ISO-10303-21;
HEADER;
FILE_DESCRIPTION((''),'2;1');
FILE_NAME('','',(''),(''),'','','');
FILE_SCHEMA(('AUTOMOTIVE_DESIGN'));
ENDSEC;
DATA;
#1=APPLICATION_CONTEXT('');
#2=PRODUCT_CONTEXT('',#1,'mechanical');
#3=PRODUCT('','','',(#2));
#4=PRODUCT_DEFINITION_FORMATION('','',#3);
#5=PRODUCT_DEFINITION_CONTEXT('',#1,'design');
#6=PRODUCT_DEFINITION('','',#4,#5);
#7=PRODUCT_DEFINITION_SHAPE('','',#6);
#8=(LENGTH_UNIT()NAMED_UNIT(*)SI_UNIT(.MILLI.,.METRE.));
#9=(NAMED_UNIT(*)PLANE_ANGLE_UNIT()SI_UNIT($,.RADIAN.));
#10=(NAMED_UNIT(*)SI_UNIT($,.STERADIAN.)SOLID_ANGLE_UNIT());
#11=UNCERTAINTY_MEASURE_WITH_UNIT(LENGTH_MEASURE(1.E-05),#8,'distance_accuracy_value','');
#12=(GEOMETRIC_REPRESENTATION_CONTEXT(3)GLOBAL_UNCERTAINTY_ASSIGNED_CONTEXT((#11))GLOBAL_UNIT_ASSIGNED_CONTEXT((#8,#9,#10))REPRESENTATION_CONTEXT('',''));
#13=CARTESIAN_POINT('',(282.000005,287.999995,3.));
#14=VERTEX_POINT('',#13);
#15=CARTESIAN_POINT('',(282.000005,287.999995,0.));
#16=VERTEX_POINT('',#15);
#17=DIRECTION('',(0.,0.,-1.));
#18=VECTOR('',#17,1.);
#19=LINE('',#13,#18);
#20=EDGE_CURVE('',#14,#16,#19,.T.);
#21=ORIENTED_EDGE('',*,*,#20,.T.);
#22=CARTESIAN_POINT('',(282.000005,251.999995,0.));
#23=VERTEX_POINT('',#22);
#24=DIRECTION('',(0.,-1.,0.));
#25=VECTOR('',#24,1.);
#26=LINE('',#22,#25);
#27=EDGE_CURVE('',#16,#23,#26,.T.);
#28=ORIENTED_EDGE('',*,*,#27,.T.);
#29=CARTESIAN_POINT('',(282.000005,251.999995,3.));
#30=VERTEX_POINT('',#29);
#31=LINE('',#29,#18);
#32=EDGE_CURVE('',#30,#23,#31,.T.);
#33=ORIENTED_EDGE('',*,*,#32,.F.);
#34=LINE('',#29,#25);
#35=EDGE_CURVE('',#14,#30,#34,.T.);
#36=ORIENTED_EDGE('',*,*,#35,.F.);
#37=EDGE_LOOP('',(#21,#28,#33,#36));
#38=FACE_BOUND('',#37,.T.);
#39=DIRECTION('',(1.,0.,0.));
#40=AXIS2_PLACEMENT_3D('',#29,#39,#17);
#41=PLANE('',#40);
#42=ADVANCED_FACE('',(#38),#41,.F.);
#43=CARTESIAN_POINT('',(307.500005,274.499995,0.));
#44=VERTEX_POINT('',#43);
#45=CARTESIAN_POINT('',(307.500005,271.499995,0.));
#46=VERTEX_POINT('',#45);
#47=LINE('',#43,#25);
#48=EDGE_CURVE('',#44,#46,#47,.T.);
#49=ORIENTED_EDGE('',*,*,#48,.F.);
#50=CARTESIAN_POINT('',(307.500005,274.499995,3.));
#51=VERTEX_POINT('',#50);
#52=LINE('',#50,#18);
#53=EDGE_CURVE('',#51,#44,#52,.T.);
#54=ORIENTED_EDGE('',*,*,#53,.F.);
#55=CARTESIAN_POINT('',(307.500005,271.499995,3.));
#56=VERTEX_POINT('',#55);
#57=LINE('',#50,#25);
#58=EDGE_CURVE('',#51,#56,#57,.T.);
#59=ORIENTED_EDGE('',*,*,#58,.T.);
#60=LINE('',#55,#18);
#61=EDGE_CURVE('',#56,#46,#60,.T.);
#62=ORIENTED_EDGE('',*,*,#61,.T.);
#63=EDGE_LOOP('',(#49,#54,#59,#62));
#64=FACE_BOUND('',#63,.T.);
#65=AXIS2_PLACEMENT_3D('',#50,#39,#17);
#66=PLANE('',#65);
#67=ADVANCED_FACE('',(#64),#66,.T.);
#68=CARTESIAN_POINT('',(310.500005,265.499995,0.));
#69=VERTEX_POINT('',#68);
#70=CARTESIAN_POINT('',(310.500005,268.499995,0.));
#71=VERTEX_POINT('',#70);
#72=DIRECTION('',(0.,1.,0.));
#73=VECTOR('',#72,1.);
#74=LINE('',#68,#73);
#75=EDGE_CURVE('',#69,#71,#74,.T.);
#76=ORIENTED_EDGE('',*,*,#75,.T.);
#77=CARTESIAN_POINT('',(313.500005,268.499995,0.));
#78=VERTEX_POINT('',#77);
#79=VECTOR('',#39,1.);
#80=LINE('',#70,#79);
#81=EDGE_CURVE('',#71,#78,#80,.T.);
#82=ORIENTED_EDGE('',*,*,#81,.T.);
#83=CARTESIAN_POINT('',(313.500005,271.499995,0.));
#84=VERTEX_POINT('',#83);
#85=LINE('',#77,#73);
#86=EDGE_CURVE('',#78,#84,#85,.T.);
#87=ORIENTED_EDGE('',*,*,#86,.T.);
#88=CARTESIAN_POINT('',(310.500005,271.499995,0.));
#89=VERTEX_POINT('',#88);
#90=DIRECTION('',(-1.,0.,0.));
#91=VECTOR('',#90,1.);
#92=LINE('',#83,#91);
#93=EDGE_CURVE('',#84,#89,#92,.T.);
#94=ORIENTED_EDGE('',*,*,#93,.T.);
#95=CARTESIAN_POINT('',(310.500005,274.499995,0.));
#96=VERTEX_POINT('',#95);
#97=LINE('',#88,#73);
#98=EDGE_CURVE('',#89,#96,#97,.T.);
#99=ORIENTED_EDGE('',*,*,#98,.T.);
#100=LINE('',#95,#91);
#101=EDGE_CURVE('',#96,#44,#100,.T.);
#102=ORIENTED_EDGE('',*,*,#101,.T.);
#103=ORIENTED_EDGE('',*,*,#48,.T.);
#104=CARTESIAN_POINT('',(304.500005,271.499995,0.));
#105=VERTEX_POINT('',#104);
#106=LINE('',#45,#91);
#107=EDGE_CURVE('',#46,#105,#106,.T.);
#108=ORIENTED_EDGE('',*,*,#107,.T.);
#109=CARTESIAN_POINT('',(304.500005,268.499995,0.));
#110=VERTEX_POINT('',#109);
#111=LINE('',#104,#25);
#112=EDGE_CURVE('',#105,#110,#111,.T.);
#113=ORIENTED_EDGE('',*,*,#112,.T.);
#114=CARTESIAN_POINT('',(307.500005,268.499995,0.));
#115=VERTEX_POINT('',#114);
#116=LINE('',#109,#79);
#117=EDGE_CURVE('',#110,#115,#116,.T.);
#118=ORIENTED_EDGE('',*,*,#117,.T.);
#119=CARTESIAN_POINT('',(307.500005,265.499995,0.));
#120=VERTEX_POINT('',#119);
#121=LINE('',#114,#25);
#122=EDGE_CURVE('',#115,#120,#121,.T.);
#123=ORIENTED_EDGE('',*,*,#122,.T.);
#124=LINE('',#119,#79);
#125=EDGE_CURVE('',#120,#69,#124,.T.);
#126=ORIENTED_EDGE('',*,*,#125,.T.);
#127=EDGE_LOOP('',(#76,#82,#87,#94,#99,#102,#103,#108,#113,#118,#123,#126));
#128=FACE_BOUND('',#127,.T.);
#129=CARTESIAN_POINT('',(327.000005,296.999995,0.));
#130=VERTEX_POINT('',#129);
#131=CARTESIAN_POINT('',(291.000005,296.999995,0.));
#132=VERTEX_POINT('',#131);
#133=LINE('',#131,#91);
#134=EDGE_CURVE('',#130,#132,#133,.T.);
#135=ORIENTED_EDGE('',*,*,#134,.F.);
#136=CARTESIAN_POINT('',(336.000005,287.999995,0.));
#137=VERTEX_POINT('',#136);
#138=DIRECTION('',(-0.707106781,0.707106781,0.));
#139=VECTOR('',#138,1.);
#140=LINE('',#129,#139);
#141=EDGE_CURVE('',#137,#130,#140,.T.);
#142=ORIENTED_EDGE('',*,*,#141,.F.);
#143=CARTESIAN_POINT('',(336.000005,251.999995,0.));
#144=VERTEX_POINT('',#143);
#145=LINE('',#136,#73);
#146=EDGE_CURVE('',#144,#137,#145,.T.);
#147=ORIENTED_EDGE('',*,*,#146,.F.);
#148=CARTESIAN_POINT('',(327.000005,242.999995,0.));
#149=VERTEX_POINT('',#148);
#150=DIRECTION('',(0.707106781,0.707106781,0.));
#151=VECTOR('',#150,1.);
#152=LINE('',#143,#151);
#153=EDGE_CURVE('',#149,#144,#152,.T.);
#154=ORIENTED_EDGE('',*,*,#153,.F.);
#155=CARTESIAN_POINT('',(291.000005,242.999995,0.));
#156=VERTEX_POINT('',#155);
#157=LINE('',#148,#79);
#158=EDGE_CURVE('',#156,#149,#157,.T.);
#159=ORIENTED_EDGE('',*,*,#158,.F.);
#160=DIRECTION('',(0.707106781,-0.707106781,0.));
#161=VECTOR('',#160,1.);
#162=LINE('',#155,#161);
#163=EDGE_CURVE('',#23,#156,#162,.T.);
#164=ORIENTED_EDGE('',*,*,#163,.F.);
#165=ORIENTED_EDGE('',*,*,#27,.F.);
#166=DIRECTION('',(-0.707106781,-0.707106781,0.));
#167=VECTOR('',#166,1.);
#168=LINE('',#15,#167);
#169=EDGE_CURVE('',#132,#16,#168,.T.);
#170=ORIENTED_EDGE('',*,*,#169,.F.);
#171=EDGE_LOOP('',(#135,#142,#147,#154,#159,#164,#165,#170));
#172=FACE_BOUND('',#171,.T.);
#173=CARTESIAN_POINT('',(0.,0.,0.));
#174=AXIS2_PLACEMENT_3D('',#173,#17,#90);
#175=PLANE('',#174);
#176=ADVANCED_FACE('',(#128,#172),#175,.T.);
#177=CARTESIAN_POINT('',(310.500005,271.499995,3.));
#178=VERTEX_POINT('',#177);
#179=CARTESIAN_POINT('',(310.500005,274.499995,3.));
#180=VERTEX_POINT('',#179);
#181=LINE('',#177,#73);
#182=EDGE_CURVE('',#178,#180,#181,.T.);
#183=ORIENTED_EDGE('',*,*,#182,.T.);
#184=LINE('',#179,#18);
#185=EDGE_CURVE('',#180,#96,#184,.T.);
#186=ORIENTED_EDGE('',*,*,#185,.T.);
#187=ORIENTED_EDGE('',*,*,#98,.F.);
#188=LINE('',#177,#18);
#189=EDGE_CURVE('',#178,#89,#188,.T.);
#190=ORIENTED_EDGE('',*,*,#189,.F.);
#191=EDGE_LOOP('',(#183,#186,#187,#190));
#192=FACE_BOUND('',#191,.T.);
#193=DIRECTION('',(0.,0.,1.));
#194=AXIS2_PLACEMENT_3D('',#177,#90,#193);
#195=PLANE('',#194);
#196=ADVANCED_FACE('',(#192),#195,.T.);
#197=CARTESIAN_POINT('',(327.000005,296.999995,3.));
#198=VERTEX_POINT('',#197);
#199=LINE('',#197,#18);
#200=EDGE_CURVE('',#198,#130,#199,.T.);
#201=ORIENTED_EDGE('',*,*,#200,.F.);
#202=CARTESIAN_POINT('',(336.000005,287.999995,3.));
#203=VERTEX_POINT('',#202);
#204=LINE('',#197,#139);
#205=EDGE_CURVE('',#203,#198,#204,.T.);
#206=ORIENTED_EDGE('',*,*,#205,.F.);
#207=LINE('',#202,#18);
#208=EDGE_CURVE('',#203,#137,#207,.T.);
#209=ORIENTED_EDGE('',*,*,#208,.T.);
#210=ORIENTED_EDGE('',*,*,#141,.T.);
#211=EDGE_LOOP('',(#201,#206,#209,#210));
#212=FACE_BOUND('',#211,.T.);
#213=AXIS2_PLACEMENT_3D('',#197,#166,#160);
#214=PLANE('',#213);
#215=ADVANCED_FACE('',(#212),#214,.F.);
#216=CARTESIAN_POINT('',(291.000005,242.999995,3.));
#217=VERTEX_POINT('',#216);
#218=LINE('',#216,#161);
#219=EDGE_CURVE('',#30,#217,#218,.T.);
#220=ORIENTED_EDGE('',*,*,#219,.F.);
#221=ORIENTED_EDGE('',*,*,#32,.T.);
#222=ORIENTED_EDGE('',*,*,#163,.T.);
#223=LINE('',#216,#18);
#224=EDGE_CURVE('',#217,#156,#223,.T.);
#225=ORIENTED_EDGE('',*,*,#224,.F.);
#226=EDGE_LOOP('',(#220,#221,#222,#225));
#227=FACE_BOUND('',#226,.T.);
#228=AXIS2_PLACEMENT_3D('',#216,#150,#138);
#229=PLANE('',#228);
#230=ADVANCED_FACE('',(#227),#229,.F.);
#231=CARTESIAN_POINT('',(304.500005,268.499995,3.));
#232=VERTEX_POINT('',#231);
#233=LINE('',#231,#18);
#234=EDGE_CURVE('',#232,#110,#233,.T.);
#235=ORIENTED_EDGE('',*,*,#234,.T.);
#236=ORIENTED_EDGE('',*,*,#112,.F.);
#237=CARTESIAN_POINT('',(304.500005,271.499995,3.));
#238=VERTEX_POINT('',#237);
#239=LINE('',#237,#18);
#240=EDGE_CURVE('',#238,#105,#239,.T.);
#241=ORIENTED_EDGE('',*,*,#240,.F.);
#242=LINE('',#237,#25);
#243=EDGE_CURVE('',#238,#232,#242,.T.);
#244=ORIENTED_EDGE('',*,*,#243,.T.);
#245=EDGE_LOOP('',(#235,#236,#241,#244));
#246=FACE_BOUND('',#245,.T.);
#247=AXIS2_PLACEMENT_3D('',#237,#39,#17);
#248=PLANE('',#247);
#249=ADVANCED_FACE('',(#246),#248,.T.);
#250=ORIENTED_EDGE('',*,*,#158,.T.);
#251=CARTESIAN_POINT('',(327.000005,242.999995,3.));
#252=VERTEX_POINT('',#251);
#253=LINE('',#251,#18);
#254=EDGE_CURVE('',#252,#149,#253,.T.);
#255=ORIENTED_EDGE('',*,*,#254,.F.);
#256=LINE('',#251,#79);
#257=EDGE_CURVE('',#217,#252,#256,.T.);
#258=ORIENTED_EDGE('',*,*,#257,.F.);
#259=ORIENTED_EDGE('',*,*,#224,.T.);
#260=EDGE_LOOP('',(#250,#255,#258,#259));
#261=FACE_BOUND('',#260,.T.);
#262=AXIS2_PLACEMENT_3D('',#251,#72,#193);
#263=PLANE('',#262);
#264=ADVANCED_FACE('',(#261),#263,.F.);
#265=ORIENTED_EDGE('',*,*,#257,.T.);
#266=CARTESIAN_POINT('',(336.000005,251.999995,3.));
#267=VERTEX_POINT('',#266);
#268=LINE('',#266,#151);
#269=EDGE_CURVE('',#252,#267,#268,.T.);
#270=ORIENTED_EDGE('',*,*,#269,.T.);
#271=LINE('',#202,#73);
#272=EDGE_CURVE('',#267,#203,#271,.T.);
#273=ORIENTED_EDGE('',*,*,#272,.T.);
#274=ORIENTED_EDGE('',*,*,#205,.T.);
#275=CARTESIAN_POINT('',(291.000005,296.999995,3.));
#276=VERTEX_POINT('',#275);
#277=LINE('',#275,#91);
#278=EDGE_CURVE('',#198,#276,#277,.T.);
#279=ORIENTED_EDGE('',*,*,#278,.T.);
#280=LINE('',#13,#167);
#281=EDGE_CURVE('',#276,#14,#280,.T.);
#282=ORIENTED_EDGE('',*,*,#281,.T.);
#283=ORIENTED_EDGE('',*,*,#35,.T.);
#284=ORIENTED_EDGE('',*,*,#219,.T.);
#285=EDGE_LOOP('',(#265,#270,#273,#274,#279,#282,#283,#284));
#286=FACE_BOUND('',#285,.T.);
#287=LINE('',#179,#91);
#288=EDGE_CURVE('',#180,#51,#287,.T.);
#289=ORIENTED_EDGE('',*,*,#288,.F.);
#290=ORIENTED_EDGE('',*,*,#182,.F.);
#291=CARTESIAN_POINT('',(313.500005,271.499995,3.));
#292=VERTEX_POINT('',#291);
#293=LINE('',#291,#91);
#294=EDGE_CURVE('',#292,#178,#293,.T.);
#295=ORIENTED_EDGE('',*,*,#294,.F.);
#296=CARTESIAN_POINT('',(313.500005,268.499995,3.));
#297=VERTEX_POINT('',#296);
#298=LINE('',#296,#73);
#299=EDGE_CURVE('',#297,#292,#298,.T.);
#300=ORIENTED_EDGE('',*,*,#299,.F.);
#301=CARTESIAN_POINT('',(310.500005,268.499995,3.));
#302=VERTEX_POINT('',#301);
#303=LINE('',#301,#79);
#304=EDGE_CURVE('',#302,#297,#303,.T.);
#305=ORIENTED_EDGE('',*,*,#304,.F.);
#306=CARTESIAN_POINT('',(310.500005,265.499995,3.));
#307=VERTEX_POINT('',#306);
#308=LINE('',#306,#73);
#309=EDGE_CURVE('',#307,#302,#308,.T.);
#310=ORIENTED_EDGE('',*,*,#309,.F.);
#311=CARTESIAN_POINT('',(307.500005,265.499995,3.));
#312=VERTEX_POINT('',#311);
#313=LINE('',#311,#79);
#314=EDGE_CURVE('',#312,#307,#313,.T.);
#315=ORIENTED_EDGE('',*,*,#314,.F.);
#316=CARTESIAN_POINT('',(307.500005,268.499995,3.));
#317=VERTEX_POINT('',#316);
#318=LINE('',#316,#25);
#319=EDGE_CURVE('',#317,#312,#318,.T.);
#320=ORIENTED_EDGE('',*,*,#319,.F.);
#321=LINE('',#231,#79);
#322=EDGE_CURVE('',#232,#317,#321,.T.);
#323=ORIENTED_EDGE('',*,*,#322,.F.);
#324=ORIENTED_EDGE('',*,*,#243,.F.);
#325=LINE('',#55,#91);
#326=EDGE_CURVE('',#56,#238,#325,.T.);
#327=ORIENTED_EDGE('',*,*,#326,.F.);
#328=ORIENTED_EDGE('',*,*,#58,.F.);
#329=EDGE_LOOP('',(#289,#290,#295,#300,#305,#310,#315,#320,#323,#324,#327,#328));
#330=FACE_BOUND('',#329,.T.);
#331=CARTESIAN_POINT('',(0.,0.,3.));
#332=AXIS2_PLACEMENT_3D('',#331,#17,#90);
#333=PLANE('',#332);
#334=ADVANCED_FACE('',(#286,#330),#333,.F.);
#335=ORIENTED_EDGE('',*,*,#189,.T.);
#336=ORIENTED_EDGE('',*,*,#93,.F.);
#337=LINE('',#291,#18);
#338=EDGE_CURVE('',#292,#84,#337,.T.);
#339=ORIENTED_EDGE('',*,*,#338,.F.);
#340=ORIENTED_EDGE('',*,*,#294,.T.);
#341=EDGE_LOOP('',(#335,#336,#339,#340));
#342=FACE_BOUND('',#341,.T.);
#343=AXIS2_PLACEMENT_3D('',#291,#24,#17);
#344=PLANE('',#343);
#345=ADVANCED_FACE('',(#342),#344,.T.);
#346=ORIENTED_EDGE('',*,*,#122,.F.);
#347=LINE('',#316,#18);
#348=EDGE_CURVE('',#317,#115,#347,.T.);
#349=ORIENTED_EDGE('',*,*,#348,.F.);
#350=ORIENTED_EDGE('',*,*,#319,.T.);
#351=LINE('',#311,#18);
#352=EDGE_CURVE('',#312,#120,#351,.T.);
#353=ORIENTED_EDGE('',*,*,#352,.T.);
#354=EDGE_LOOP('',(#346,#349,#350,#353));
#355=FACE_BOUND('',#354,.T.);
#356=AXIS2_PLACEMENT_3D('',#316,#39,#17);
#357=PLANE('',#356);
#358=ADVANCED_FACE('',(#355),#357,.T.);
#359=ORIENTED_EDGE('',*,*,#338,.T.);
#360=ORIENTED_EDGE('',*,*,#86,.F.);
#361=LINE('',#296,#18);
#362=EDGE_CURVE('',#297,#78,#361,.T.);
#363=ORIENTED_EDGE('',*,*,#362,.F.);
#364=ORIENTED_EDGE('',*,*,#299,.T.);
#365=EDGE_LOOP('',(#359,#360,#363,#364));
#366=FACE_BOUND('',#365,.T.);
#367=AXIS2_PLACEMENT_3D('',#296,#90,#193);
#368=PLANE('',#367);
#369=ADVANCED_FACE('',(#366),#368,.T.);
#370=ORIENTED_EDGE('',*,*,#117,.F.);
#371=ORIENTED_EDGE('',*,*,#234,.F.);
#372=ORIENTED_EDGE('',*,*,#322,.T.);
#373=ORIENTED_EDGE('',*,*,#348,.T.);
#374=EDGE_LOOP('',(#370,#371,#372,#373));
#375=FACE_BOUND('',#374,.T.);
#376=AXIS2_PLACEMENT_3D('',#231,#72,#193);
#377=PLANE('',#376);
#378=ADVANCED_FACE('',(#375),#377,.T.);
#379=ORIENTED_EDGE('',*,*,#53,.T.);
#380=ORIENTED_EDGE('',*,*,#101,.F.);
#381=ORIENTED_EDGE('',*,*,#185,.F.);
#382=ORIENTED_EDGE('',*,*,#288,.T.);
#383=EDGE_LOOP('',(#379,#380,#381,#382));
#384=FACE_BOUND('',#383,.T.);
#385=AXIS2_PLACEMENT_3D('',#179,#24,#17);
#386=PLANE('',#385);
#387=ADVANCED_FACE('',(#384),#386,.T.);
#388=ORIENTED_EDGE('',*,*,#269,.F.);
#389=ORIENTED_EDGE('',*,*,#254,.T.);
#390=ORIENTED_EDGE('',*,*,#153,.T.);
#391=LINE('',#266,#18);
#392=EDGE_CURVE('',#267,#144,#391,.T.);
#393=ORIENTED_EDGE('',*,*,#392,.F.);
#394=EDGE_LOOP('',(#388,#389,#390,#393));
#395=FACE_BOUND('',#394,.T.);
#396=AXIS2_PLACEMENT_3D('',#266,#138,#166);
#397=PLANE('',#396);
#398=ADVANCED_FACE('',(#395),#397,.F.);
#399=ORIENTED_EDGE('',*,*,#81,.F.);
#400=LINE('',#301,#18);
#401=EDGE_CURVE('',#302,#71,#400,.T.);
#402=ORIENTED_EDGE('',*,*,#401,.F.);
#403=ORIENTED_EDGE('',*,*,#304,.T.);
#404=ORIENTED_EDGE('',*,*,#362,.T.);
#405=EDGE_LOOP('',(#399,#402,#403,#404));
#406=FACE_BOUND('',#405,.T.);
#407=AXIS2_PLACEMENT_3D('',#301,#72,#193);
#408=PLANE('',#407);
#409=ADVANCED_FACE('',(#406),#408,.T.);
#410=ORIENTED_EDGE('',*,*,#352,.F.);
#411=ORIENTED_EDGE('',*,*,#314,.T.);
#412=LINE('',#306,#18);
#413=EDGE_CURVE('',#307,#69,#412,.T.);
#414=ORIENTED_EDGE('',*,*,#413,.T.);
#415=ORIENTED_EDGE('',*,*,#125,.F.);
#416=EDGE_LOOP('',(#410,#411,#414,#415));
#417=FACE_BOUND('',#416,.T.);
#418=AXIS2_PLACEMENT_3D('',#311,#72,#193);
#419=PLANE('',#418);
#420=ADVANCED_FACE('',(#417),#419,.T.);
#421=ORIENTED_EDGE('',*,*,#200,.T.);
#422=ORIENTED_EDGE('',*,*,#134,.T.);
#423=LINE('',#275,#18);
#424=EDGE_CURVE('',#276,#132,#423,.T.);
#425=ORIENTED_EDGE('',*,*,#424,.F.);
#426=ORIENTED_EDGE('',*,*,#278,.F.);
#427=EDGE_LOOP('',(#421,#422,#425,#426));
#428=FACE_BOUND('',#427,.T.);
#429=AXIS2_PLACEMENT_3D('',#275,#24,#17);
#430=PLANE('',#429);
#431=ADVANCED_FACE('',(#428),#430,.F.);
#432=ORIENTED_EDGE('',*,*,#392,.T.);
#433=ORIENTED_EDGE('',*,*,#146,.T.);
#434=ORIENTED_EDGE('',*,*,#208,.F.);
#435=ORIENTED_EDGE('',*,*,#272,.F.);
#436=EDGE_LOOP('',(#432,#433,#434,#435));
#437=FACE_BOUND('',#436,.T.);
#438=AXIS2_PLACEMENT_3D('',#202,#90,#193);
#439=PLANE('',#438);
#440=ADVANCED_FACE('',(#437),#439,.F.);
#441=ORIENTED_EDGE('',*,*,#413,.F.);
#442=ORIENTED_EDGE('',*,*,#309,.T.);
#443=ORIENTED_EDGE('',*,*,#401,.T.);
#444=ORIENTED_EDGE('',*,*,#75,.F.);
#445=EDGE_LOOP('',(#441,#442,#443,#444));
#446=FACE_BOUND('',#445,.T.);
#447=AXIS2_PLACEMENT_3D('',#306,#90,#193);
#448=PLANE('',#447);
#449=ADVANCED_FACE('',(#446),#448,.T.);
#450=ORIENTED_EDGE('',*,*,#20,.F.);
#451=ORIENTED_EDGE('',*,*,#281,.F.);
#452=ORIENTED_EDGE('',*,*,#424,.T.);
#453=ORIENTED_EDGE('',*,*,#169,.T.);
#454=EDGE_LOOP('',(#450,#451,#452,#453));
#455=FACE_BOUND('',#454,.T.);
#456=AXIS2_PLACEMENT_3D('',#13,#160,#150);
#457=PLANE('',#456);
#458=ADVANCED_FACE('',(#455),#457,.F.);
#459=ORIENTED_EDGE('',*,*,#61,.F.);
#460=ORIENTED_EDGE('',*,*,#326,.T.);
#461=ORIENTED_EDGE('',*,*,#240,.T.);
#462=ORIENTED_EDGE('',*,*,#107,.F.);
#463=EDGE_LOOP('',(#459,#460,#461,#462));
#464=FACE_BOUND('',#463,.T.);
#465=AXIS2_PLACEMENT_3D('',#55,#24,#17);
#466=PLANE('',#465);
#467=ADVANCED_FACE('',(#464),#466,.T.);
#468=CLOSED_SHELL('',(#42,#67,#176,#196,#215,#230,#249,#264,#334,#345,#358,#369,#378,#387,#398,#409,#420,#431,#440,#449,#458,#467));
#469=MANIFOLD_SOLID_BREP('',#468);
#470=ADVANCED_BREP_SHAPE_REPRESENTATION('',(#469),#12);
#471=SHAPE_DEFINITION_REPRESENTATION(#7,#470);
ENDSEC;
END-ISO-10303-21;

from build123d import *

# Parameters (mm, degrees)
BOSS_EXTRUDE1_DEPTH = 3


with BuildPart() as part:
    # Sketch1 → Boss-Extrude1 (new body)
    with BuildSketch(Plane.XY):
        Polygon((336.00000486, 251.99999521), (327.00000486, 242.99999521), (291.00000486, 242.99999521), (282.00000486, 251.99999521), (282.00000486, 287.99999521), (291.00000486, 296.99999521), (327.00000486, 296.99999521), (336.00000486, 287.99999521), align=None)
        Polygon((307.50000486, 274.49999521), (307.50000486, 271.49999521), (304.50000486, 271.49999521), (304.50000486, 268.49999521), (307.50000486, 268.49999521), (307.50000486, 265.49999521), (310.50000486, 265.49999521), (310.50000486, 268.49999521), (313.50000486, 268.49999521), (313.50000486, 271.49999521), (310.50000486, 271.49999521), (310.50000486, 274.49999521), align=None, mode=Mode.SUBTRACT)
    extrude(amount=BOSS_EXTRUDE1_DEPTH)


solid = part.part
